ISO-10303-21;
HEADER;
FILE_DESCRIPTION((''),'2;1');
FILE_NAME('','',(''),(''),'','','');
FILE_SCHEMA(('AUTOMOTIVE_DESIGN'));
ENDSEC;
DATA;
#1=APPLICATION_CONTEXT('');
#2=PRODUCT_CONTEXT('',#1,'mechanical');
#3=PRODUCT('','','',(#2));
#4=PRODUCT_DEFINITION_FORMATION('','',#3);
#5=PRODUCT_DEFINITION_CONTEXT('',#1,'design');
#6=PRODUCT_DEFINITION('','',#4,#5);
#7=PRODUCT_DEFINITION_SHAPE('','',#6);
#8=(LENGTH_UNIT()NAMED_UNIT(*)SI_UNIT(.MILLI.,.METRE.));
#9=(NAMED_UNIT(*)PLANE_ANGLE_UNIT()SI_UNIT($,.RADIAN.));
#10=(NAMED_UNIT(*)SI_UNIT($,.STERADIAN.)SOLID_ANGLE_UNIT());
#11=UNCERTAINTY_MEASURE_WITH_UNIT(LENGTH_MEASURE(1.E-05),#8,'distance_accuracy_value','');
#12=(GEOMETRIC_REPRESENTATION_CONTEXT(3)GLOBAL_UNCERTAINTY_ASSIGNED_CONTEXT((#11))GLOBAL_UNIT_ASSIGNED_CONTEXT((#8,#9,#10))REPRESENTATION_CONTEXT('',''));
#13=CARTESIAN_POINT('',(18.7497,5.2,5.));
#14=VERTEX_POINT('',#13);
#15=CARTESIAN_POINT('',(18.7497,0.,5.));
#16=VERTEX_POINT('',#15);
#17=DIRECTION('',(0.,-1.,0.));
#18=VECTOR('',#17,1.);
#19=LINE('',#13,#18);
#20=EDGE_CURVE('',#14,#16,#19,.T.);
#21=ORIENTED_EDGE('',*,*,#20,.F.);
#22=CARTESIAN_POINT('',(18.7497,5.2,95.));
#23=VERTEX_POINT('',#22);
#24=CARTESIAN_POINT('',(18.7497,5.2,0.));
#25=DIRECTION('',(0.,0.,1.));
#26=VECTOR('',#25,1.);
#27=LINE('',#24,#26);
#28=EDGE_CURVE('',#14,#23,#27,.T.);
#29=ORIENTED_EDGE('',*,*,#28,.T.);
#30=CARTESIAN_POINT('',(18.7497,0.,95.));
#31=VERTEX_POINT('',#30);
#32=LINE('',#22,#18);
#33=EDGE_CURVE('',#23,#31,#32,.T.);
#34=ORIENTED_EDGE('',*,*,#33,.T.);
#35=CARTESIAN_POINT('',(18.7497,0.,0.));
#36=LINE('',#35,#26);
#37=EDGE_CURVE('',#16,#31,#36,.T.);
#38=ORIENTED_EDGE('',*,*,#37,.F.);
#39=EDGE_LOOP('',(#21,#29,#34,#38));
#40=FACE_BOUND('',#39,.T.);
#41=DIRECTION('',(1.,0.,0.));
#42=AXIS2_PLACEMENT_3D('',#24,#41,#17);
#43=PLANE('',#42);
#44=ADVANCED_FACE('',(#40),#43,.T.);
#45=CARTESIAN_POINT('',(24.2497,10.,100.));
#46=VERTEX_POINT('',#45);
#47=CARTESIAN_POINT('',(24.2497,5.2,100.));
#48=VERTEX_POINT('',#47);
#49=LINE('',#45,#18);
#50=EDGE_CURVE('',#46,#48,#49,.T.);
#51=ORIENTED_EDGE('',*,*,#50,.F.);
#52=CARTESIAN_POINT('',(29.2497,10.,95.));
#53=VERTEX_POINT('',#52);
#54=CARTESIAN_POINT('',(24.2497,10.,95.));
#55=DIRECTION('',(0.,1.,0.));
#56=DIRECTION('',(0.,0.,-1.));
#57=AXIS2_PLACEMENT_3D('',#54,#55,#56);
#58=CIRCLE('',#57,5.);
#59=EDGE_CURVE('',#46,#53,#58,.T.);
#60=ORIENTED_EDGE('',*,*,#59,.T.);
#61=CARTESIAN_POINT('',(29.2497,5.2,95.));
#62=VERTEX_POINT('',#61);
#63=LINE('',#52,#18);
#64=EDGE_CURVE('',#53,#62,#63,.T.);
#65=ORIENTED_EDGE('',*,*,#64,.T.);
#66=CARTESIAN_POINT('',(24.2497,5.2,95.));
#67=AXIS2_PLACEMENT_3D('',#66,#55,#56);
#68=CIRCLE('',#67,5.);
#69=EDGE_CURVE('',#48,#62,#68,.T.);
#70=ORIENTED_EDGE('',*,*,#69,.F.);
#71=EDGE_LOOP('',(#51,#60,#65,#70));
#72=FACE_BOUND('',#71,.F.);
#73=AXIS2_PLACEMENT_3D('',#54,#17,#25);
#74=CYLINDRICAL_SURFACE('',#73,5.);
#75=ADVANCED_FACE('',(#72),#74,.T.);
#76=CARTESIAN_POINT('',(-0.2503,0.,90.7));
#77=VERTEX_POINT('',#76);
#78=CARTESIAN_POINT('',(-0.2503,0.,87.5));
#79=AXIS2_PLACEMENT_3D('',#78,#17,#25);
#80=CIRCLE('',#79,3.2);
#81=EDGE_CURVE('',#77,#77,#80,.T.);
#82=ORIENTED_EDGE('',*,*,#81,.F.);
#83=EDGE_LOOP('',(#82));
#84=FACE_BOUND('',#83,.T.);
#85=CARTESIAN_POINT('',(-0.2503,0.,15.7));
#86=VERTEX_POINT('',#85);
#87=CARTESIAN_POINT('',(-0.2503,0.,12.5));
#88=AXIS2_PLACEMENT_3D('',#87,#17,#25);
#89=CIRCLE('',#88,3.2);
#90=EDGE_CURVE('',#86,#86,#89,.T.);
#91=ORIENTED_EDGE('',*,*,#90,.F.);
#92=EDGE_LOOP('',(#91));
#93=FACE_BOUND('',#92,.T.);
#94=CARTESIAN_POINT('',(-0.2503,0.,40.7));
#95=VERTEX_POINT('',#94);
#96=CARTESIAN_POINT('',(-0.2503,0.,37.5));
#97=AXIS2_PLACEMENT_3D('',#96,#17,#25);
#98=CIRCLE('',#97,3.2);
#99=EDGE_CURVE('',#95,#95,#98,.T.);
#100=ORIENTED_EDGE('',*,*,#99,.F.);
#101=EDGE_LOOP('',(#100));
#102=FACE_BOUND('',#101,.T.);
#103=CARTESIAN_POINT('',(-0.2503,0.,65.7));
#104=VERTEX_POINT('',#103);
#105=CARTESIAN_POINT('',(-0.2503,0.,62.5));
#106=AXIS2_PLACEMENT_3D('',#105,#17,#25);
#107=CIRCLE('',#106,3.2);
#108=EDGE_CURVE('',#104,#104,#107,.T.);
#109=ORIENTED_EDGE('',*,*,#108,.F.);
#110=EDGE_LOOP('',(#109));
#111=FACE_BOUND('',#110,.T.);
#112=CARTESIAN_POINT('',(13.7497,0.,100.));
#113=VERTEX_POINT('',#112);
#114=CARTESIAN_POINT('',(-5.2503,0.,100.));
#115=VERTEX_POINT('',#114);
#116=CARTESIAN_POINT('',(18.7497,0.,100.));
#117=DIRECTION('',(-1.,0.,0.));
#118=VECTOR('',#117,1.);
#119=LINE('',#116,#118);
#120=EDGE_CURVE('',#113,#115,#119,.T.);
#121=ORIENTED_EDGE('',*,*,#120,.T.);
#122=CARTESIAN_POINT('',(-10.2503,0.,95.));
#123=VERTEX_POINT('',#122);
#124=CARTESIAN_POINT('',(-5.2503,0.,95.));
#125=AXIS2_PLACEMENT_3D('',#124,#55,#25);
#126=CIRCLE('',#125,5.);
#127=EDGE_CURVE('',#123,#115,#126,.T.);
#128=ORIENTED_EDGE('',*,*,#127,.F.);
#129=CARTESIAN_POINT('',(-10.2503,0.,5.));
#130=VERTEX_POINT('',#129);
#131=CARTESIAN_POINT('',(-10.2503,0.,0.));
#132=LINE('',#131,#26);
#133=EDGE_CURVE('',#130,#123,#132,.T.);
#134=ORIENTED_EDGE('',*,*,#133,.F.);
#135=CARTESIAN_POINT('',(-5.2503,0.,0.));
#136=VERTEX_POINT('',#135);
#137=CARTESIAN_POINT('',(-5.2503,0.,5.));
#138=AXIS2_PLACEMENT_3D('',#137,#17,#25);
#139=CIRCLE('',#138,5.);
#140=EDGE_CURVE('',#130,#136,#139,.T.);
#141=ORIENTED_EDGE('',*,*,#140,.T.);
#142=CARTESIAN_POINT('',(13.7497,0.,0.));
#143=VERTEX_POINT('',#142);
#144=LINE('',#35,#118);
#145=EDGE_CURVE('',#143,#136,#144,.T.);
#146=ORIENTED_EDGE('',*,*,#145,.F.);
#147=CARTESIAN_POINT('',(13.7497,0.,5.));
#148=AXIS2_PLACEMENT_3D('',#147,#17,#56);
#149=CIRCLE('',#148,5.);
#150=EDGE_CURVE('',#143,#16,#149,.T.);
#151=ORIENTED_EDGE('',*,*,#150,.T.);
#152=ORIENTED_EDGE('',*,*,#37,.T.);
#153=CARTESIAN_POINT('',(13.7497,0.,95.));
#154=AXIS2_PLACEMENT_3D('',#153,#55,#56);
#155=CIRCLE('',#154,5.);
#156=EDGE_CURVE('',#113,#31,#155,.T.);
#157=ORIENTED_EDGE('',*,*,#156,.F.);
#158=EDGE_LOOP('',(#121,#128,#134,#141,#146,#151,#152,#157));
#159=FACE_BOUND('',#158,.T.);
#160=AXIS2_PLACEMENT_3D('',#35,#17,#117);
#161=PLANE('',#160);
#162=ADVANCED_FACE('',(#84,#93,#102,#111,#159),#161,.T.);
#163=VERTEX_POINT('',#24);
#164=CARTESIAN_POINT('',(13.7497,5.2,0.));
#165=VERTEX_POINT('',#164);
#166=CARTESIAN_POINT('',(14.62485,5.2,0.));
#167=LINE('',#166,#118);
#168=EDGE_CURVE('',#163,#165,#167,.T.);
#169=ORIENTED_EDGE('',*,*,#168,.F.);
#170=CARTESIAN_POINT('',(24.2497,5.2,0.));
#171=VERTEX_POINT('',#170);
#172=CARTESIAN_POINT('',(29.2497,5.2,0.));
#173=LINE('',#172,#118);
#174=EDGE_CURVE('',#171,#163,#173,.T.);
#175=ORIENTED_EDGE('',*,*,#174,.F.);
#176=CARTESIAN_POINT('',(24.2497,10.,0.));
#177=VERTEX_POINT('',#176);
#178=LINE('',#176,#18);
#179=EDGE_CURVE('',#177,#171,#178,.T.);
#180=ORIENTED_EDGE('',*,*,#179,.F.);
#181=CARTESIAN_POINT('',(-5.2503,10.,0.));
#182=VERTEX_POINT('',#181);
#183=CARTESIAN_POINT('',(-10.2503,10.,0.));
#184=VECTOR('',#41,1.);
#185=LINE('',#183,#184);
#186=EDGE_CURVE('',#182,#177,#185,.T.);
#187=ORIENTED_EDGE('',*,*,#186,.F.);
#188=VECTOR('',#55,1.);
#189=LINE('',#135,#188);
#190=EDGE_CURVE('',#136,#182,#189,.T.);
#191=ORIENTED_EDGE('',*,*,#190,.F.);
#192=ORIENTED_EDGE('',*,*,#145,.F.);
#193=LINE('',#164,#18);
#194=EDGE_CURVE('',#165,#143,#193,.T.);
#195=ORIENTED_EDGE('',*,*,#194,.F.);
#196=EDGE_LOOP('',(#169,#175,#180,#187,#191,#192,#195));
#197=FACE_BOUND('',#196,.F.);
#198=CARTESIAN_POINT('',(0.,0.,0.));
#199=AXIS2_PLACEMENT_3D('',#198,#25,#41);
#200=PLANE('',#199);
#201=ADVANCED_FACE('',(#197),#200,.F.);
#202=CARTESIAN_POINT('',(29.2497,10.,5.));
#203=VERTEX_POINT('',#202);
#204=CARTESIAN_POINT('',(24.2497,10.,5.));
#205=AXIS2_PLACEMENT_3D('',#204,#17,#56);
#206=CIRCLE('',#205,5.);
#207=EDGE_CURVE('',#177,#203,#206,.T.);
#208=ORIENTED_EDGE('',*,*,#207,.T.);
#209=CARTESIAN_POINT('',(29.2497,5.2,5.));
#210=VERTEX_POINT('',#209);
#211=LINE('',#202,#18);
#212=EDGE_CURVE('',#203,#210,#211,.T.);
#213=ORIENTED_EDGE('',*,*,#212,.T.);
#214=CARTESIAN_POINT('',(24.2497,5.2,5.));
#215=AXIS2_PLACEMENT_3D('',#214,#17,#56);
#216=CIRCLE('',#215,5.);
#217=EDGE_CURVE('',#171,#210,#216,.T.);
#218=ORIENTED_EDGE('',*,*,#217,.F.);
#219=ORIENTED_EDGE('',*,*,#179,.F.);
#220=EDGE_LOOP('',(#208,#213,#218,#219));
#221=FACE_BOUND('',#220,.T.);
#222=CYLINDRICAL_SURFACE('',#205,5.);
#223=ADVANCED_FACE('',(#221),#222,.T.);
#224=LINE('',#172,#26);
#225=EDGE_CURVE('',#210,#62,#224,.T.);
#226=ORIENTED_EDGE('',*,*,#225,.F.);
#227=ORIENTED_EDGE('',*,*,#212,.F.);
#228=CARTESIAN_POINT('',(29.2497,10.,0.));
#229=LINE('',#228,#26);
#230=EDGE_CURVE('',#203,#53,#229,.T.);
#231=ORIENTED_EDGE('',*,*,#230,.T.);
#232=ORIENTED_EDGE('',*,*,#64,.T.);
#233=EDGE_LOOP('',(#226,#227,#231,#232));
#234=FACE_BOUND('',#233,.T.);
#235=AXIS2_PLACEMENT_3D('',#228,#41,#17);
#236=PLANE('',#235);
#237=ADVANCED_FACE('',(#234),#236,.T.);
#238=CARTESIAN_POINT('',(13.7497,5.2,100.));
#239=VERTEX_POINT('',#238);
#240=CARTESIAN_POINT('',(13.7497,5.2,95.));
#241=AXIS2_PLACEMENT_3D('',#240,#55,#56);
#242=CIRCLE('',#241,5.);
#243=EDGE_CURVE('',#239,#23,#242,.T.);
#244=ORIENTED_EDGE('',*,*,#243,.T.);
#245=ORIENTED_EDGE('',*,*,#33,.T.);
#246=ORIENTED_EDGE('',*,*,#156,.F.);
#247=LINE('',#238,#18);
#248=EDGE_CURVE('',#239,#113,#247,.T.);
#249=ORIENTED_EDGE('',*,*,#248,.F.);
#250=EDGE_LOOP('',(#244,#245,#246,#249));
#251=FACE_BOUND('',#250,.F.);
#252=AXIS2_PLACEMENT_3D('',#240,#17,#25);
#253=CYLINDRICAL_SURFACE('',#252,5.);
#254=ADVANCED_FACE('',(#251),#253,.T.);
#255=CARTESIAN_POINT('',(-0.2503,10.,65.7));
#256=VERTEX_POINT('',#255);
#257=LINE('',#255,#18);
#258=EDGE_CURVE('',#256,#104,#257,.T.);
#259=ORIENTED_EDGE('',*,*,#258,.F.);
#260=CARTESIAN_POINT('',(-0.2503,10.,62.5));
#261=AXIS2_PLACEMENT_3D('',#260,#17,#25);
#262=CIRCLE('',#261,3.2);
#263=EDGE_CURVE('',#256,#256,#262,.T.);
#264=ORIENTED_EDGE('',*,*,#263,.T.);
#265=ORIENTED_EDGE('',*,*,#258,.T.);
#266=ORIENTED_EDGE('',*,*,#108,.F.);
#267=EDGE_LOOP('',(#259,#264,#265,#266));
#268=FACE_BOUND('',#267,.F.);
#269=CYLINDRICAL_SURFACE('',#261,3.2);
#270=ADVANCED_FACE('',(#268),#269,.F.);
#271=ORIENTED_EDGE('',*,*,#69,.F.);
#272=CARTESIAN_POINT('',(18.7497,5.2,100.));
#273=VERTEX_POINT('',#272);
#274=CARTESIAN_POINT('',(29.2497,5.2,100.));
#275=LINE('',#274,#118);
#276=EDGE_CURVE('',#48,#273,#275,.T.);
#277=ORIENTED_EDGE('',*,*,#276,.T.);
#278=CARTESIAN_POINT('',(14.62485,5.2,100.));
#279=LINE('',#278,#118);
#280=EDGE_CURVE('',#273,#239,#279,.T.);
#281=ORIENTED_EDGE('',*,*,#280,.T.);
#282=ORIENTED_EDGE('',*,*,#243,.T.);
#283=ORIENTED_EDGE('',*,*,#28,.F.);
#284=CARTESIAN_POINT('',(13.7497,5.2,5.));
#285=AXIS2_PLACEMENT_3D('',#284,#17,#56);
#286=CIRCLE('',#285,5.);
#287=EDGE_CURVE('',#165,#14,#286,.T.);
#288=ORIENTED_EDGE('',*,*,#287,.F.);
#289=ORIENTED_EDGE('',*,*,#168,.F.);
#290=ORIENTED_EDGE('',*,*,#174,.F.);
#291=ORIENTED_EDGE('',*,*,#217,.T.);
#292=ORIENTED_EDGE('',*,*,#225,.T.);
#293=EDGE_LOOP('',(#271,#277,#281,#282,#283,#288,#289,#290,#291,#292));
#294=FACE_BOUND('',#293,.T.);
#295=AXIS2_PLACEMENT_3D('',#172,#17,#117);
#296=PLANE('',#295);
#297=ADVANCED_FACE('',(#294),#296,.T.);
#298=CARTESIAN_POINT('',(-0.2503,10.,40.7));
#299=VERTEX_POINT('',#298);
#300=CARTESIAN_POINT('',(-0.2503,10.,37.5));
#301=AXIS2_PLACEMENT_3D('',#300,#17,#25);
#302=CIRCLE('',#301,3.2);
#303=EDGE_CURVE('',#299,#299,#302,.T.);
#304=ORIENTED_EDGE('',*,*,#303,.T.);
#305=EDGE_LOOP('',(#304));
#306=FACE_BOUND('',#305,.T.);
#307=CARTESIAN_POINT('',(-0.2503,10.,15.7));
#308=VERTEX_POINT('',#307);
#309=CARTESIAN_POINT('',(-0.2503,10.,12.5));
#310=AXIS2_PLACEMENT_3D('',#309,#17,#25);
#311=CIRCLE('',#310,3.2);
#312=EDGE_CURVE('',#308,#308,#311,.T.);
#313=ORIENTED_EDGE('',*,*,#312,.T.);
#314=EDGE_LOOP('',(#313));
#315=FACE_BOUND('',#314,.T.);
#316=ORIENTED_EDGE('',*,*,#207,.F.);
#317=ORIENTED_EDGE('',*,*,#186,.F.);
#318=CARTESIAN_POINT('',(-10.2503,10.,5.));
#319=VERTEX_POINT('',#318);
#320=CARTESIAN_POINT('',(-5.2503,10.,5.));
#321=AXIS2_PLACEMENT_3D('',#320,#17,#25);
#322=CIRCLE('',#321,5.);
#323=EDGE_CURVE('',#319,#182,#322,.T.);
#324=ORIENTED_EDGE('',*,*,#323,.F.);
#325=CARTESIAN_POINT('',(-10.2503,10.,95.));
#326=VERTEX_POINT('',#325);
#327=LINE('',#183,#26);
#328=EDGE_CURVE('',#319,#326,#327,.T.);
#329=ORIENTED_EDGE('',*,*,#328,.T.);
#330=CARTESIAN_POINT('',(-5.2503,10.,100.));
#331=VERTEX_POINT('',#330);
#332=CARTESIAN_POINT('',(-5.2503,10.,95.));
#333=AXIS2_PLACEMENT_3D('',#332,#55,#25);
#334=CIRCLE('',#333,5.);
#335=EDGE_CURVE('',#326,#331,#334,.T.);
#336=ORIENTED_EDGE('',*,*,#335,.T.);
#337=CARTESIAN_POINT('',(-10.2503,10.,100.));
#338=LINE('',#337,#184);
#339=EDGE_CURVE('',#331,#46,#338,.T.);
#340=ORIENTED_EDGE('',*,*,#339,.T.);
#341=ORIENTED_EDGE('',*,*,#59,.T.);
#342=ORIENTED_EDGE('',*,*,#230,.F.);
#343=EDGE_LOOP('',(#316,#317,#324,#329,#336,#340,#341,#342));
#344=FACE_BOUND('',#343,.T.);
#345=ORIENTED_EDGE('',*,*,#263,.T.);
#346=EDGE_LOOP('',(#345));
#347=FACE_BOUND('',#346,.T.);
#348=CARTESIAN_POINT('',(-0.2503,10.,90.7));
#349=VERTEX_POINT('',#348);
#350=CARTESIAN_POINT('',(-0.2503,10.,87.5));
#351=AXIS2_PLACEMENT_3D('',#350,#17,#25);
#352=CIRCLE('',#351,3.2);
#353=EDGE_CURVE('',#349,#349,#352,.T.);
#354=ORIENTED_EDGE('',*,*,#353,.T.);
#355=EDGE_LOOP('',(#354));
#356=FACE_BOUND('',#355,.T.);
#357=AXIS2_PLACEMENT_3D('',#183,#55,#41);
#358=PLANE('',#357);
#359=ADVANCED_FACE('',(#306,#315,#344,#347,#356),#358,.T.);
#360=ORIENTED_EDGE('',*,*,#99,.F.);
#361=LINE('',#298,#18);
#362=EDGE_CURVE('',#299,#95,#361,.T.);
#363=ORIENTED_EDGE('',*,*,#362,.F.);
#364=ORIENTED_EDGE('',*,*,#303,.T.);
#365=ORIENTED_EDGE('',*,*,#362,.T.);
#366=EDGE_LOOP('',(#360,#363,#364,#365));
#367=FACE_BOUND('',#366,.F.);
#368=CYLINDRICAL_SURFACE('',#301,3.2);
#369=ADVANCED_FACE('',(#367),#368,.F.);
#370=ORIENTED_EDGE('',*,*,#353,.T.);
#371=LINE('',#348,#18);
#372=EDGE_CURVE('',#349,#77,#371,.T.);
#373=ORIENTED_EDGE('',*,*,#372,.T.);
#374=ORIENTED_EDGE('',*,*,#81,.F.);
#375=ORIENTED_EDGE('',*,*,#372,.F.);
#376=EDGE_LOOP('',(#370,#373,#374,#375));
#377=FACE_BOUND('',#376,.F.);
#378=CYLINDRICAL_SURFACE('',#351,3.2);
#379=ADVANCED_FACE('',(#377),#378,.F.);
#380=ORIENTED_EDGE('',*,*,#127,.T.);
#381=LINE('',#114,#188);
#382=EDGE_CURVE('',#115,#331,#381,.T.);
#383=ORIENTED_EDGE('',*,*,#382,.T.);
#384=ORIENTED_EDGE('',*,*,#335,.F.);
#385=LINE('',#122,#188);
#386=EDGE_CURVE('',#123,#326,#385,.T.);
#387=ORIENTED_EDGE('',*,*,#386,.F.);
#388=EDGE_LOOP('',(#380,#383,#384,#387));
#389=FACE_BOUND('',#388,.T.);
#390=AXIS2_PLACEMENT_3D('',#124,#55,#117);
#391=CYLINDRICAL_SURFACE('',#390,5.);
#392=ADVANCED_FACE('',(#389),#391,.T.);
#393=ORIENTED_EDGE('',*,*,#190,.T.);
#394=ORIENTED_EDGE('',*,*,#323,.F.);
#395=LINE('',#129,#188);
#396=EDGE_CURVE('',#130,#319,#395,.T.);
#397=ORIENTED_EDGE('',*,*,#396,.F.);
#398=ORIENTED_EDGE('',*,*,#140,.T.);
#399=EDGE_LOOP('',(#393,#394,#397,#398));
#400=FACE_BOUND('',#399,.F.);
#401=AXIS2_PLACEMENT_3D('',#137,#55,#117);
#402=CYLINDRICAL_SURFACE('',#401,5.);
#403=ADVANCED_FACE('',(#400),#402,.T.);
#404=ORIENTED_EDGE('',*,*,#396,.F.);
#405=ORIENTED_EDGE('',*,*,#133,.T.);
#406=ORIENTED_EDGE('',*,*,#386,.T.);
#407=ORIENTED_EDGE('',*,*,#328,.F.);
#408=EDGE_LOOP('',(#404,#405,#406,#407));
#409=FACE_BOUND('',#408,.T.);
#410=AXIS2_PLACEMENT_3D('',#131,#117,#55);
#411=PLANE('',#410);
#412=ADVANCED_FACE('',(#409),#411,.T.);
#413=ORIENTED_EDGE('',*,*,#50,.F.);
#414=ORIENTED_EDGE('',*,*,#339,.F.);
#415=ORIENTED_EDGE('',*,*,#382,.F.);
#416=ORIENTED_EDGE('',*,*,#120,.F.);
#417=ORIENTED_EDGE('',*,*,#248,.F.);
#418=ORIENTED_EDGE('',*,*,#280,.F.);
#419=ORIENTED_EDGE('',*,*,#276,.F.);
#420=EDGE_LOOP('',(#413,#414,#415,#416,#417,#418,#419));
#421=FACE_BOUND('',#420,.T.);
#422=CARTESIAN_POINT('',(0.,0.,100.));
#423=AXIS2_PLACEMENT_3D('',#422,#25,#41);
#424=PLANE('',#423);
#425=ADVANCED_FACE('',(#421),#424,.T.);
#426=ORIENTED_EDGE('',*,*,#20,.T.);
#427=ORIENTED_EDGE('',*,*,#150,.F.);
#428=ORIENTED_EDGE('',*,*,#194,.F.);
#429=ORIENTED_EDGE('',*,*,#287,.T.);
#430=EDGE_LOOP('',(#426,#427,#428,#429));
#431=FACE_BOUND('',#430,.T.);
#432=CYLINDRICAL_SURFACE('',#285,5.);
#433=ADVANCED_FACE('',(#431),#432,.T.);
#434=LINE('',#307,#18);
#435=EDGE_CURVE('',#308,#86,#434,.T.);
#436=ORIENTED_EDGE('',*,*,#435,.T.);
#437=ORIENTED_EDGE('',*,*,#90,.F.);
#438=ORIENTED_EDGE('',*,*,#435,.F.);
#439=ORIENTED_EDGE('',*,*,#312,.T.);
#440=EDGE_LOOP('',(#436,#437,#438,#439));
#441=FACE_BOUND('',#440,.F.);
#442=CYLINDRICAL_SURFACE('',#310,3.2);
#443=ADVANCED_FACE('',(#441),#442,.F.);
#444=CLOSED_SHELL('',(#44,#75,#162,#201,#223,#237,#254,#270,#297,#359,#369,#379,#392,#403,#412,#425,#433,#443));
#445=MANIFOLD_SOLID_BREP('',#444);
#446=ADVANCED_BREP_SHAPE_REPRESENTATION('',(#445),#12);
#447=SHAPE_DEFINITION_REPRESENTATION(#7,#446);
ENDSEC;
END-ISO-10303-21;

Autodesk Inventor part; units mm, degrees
ref_plane "YZ Plane" through (0, 0, 0) normal (1, 0, 0) x (0, 1, 0)
ref_plane "XZ Plane" through (0, 0, 0) normal (0, 1, 0) x (-1, 0, 0)
ref_plane "XY Plane" through (0, 0, 0) normal (0, 0, 1) x (1, 0, 0)
sketch "Skizze1" plane through (0, 0, 0) normal (0, 0, 1) x (1, 0, 0)
  line L0 (-10.2503, 0) -> (-10.2503, 10)
  line L1 (-10.2503, 10) -> (29.2497, 10)
  line L2 (29.2497, 10) -> (29.2497, 5.2)
  line L3 (29.2497, 5.2) -> (18.7497, 5.2)
  line L4 (18.7497, 5.2) -> (18.7497, 0)
  line L5 (18.7497, 0) -> (-10.2503, 0)
  point P0 (0, 0)
  dimension "d0" = 39.5
  dimension "d1" = 10
  dimension "d2" = 5.2
  dimension "d5" = 10.5
extrude "Extrusion1" add sketch "Skizze1" along normal blind 100
sketch "Skizze2" plane through (-10.2503, 10, 0) normal (0, 1, 0) x (1, 0, 0)
  line L0 (0, 0) -> (0, -100) projected
  line L1 (39.5, 0) -> (39.5, -100) projected
  line L2 (39.5, -100) -> (0, -100) projected
  point P0 (10.2503, 0)
  point P1 (10, -37.5)
  point P2 (10, -62.5)
  point P3 (10, -87.5)
  point P4 (10, -12.5)
  dimension "d10" = 10
  dimension "d11" = 10
  dimension "d12" = 10
  dimension "d13" = 12.5
  dimension "d14" = 25
  dimension "d15" = 25
  dimension "d16" = 10
  dimension "d17" = 25
hole "Bohrung1" at (-0.2503, 10, 37.5) at (-0.2503, 10, 62.5) at (-0.2503, 10, 87.5) at (-0.2503, 10, 12.5) direction (0, -1, 0) diameter 6.4 end through all
fillet "Rundung1" radius 5 6 edges at (-10.2503, 5, 0) (-10.2503, 5, 100) (29.2497, 7.6, 0) (18.7497, 2.6, 0) (29.2497, 7.6, 100) (18.7497, 2.6, 100)
properties part number "FMR_DXWD80_CPW_Halter_D"
